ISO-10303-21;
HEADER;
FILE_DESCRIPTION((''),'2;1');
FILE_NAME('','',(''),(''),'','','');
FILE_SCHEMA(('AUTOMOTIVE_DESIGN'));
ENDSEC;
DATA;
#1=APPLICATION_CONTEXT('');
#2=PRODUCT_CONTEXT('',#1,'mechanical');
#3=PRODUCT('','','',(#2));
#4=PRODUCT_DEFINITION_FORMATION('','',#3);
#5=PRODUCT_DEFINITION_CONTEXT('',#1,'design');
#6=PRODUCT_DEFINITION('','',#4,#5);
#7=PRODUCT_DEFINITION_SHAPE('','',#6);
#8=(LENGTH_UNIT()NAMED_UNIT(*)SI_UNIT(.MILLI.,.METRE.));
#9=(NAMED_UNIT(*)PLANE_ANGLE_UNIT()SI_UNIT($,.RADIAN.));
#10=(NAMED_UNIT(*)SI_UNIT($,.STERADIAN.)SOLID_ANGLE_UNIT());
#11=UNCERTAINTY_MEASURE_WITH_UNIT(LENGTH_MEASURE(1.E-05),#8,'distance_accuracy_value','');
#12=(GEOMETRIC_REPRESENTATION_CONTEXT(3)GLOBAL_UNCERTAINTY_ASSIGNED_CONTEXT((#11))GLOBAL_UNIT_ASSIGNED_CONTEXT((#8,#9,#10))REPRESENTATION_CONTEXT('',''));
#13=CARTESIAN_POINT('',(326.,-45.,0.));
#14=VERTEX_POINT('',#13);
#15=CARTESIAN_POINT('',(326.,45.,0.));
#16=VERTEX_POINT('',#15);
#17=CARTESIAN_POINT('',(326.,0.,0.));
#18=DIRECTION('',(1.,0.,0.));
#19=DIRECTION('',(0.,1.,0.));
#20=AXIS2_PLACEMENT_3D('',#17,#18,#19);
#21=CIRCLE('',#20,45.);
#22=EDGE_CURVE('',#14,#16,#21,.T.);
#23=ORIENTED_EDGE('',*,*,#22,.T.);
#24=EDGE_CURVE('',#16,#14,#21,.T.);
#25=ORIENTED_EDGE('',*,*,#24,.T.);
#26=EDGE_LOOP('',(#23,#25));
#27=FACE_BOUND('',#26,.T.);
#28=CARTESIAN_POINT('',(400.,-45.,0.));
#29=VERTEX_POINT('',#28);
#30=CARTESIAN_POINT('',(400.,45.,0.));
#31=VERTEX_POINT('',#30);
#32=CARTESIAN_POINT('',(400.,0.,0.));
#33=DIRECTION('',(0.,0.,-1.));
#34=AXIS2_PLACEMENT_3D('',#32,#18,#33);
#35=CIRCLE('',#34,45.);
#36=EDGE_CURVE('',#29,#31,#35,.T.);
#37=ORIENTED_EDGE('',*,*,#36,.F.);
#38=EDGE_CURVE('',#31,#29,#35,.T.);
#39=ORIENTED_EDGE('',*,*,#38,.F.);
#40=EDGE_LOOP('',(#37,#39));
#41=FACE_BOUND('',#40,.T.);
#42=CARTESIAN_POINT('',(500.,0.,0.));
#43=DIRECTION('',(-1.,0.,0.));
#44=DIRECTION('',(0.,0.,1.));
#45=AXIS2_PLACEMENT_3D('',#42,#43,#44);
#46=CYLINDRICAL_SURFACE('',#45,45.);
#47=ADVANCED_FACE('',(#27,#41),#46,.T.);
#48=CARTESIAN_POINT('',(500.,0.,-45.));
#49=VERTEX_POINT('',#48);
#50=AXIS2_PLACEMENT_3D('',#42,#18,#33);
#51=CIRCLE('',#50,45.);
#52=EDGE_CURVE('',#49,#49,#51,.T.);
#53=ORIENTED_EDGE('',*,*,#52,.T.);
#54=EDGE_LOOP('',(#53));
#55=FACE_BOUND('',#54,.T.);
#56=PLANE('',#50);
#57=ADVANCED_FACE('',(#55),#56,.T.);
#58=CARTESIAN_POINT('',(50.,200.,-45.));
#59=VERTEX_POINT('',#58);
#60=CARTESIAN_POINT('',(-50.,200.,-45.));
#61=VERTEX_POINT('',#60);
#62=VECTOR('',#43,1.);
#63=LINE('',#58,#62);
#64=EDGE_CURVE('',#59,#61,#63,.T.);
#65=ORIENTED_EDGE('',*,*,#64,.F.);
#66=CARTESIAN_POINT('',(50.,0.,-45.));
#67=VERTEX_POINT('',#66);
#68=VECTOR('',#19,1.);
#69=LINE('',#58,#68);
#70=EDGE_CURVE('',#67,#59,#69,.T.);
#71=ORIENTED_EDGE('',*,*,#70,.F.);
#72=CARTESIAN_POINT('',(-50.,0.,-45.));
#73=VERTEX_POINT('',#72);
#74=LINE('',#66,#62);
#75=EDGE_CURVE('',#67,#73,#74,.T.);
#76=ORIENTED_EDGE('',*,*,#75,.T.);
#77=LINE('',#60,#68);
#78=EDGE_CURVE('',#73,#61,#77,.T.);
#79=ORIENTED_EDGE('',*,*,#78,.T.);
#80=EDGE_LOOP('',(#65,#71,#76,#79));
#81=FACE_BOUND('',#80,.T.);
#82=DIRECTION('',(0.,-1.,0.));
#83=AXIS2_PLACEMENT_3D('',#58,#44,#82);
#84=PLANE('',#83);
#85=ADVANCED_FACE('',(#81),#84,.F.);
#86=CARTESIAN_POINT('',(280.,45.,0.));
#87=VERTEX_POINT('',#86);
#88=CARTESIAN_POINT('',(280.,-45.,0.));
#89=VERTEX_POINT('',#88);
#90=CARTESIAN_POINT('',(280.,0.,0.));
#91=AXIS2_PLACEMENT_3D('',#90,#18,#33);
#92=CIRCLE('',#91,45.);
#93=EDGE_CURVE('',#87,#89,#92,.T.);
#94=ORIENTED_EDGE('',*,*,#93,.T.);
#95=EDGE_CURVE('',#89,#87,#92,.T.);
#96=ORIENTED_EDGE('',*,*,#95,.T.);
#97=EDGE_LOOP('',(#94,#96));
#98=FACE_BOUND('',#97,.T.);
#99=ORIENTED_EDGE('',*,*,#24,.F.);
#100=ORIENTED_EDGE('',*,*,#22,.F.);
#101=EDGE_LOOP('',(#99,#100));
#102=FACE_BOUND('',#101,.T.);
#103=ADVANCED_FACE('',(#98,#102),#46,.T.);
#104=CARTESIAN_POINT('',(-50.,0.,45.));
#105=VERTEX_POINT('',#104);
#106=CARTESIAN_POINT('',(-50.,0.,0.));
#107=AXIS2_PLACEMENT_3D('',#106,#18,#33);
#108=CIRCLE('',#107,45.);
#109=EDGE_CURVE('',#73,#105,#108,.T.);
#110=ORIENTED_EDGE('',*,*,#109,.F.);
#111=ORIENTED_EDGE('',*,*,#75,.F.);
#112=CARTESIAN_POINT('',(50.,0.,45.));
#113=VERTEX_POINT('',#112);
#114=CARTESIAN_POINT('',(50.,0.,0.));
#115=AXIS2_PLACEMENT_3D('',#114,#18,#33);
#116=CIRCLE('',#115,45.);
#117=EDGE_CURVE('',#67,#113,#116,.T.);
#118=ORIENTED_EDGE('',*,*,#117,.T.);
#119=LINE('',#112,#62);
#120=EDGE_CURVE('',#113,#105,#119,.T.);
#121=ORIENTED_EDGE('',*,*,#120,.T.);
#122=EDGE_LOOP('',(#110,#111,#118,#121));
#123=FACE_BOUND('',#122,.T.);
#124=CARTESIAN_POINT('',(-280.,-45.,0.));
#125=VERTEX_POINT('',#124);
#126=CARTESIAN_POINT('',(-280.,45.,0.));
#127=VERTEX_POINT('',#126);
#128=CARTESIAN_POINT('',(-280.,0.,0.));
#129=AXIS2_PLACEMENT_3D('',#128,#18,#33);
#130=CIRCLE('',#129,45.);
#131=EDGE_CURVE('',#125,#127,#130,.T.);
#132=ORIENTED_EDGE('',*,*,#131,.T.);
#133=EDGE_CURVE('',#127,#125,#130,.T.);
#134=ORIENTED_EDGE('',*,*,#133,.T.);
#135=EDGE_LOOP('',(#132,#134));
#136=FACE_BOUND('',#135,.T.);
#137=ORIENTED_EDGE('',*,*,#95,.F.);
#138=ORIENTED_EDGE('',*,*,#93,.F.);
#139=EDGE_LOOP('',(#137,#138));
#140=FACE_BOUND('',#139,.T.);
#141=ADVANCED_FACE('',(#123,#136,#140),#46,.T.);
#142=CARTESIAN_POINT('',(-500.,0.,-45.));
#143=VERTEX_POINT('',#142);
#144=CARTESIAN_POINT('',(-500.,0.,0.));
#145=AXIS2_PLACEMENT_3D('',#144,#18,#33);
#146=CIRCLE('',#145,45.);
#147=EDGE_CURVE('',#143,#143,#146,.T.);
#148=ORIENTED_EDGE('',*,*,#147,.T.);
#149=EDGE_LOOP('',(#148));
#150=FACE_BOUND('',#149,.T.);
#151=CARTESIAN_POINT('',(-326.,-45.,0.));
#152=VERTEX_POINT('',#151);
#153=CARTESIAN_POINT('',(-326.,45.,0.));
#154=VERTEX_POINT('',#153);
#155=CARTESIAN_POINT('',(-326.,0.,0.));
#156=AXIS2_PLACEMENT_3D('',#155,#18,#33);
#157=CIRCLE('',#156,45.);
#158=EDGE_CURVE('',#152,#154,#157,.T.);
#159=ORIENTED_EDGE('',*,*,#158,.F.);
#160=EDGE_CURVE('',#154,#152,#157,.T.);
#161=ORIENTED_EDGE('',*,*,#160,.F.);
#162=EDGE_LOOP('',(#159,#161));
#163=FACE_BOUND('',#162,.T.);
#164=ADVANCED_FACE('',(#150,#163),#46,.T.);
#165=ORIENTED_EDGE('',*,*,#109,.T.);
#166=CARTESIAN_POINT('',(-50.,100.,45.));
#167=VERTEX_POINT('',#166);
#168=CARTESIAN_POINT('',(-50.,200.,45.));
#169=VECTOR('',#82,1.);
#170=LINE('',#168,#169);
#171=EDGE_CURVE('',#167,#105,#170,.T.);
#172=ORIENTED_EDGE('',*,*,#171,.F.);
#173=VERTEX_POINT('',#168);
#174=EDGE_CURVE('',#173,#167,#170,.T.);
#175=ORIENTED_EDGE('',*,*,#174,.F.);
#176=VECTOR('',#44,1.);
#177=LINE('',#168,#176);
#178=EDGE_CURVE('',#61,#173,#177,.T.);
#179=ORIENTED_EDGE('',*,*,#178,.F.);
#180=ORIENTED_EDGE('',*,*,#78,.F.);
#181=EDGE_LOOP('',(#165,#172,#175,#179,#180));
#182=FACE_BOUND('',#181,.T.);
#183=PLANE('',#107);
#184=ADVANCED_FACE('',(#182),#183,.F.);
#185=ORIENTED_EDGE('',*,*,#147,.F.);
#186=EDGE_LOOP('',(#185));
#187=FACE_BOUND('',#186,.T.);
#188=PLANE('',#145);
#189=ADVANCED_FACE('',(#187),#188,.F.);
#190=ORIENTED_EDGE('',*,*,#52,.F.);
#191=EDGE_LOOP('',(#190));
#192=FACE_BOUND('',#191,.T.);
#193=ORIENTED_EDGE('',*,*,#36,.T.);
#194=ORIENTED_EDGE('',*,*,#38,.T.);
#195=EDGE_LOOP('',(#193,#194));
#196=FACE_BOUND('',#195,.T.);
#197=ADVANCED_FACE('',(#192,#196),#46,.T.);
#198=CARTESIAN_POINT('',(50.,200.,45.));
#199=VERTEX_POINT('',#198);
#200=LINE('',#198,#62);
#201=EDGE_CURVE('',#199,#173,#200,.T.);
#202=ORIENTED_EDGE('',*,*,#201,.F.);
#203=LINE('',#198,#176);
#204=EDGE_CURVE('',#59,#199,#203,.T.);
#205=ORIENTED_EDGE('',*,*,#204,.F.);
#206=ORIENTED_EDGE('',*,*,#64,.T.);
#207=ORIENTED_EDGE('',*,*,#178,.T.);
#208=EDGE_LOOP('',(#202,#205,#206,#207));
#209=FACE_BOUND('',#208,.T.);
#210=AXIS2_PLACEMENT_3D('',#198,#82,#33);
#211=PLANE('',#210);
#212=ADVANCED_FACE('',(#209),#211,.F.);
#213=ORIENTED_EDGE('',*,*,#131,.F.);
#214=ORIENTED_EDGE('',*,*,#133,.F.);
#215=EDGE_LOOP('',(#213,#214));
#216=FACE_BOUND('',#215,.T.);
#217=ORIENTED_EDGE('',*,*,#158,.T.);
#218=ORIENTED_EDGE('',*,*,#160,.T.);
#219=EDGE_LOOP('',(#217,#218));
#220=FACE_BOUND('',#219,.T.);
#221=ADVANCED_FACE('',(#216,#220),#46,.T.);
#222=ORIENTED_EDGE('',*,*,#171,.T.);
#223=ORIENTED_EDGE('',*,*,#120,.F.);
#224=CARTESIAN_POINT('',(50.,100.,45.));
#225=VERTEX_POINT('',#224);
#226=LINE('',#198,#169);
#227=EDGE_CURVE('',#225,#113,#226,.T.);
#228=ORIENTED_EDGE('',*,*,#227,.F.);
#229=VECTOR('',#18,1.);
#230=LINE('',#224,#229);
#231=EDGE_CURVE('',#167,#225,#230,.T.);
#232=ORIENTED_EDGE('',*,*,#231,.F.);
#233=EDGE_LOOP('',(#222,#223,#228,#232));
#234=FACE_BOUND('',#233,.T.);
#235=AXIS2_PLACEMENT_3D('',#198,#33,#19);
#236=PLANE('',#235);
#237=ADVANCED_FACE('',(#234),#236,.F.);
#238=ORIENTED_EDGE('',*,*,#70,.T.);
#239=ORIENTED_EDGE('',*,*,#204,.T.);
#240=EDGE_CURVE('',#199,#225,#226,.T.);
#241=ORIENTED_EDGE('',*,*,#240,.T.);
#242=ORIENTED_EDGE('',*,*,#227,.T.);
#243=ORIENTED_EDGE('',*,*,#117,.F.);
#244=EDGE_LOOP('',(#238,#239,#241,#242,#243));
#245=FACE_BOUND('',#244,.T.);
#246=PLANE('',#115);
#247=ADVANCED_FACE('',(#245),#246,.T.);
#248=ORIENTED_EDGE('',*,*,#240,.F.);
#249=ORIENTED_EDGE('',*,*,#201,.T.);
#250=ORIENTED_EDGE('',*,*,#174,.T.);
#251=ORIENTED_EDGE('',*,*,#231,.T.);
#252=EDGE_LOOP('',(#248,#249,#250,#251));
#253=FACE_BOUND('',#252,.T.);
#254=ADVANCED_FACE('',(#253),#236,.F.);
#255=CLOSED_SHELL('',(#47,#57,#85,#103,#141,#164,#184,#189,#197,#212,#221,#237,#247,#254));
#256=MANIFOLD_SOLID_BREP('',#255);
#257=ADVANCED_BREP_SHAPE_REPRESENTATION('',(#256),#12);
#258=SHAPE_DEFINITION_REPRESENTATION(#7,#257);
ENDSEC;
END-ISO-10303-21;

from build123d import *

# Parameters (mm, degrees)
ESQUISSE1_R        = 45
BOSS_EXTRU_1_DEPTH = 500
ESQUISSE2_W        = 90
ESQUISSE2_H        = 200
BOSS_EXTRU_2_DEPTH = 50


with BuildPart() as part:
    # Esquisse1 → Boss.-Extru.1 (new body, symmetric)
    with BuildSketch(Plane(origin=(0, 0, 0), x_dir=(0, 0, -1), z_dir=(1, 0, 0))):
        Circle(ESQUISSE1_R)
    extrude(amount=BOSS_EXTRU_1_DEPTH, both=True)

    # Esquisse2 → Boss.-Extru.2 (add, symmetric)
    with BuildSketch(Plane(origin=(0, 0, 0), x_dir=(0, 0, -1), z_dir=(1, 0, 0))):
        with Locations((0, 100)):
            Rectangle(ESQUISSE2_W, ESQUISSE2_H)
    extrude(amount=BOSS_EXTRU_2_DEPTH, both=True)


solid = part.part
